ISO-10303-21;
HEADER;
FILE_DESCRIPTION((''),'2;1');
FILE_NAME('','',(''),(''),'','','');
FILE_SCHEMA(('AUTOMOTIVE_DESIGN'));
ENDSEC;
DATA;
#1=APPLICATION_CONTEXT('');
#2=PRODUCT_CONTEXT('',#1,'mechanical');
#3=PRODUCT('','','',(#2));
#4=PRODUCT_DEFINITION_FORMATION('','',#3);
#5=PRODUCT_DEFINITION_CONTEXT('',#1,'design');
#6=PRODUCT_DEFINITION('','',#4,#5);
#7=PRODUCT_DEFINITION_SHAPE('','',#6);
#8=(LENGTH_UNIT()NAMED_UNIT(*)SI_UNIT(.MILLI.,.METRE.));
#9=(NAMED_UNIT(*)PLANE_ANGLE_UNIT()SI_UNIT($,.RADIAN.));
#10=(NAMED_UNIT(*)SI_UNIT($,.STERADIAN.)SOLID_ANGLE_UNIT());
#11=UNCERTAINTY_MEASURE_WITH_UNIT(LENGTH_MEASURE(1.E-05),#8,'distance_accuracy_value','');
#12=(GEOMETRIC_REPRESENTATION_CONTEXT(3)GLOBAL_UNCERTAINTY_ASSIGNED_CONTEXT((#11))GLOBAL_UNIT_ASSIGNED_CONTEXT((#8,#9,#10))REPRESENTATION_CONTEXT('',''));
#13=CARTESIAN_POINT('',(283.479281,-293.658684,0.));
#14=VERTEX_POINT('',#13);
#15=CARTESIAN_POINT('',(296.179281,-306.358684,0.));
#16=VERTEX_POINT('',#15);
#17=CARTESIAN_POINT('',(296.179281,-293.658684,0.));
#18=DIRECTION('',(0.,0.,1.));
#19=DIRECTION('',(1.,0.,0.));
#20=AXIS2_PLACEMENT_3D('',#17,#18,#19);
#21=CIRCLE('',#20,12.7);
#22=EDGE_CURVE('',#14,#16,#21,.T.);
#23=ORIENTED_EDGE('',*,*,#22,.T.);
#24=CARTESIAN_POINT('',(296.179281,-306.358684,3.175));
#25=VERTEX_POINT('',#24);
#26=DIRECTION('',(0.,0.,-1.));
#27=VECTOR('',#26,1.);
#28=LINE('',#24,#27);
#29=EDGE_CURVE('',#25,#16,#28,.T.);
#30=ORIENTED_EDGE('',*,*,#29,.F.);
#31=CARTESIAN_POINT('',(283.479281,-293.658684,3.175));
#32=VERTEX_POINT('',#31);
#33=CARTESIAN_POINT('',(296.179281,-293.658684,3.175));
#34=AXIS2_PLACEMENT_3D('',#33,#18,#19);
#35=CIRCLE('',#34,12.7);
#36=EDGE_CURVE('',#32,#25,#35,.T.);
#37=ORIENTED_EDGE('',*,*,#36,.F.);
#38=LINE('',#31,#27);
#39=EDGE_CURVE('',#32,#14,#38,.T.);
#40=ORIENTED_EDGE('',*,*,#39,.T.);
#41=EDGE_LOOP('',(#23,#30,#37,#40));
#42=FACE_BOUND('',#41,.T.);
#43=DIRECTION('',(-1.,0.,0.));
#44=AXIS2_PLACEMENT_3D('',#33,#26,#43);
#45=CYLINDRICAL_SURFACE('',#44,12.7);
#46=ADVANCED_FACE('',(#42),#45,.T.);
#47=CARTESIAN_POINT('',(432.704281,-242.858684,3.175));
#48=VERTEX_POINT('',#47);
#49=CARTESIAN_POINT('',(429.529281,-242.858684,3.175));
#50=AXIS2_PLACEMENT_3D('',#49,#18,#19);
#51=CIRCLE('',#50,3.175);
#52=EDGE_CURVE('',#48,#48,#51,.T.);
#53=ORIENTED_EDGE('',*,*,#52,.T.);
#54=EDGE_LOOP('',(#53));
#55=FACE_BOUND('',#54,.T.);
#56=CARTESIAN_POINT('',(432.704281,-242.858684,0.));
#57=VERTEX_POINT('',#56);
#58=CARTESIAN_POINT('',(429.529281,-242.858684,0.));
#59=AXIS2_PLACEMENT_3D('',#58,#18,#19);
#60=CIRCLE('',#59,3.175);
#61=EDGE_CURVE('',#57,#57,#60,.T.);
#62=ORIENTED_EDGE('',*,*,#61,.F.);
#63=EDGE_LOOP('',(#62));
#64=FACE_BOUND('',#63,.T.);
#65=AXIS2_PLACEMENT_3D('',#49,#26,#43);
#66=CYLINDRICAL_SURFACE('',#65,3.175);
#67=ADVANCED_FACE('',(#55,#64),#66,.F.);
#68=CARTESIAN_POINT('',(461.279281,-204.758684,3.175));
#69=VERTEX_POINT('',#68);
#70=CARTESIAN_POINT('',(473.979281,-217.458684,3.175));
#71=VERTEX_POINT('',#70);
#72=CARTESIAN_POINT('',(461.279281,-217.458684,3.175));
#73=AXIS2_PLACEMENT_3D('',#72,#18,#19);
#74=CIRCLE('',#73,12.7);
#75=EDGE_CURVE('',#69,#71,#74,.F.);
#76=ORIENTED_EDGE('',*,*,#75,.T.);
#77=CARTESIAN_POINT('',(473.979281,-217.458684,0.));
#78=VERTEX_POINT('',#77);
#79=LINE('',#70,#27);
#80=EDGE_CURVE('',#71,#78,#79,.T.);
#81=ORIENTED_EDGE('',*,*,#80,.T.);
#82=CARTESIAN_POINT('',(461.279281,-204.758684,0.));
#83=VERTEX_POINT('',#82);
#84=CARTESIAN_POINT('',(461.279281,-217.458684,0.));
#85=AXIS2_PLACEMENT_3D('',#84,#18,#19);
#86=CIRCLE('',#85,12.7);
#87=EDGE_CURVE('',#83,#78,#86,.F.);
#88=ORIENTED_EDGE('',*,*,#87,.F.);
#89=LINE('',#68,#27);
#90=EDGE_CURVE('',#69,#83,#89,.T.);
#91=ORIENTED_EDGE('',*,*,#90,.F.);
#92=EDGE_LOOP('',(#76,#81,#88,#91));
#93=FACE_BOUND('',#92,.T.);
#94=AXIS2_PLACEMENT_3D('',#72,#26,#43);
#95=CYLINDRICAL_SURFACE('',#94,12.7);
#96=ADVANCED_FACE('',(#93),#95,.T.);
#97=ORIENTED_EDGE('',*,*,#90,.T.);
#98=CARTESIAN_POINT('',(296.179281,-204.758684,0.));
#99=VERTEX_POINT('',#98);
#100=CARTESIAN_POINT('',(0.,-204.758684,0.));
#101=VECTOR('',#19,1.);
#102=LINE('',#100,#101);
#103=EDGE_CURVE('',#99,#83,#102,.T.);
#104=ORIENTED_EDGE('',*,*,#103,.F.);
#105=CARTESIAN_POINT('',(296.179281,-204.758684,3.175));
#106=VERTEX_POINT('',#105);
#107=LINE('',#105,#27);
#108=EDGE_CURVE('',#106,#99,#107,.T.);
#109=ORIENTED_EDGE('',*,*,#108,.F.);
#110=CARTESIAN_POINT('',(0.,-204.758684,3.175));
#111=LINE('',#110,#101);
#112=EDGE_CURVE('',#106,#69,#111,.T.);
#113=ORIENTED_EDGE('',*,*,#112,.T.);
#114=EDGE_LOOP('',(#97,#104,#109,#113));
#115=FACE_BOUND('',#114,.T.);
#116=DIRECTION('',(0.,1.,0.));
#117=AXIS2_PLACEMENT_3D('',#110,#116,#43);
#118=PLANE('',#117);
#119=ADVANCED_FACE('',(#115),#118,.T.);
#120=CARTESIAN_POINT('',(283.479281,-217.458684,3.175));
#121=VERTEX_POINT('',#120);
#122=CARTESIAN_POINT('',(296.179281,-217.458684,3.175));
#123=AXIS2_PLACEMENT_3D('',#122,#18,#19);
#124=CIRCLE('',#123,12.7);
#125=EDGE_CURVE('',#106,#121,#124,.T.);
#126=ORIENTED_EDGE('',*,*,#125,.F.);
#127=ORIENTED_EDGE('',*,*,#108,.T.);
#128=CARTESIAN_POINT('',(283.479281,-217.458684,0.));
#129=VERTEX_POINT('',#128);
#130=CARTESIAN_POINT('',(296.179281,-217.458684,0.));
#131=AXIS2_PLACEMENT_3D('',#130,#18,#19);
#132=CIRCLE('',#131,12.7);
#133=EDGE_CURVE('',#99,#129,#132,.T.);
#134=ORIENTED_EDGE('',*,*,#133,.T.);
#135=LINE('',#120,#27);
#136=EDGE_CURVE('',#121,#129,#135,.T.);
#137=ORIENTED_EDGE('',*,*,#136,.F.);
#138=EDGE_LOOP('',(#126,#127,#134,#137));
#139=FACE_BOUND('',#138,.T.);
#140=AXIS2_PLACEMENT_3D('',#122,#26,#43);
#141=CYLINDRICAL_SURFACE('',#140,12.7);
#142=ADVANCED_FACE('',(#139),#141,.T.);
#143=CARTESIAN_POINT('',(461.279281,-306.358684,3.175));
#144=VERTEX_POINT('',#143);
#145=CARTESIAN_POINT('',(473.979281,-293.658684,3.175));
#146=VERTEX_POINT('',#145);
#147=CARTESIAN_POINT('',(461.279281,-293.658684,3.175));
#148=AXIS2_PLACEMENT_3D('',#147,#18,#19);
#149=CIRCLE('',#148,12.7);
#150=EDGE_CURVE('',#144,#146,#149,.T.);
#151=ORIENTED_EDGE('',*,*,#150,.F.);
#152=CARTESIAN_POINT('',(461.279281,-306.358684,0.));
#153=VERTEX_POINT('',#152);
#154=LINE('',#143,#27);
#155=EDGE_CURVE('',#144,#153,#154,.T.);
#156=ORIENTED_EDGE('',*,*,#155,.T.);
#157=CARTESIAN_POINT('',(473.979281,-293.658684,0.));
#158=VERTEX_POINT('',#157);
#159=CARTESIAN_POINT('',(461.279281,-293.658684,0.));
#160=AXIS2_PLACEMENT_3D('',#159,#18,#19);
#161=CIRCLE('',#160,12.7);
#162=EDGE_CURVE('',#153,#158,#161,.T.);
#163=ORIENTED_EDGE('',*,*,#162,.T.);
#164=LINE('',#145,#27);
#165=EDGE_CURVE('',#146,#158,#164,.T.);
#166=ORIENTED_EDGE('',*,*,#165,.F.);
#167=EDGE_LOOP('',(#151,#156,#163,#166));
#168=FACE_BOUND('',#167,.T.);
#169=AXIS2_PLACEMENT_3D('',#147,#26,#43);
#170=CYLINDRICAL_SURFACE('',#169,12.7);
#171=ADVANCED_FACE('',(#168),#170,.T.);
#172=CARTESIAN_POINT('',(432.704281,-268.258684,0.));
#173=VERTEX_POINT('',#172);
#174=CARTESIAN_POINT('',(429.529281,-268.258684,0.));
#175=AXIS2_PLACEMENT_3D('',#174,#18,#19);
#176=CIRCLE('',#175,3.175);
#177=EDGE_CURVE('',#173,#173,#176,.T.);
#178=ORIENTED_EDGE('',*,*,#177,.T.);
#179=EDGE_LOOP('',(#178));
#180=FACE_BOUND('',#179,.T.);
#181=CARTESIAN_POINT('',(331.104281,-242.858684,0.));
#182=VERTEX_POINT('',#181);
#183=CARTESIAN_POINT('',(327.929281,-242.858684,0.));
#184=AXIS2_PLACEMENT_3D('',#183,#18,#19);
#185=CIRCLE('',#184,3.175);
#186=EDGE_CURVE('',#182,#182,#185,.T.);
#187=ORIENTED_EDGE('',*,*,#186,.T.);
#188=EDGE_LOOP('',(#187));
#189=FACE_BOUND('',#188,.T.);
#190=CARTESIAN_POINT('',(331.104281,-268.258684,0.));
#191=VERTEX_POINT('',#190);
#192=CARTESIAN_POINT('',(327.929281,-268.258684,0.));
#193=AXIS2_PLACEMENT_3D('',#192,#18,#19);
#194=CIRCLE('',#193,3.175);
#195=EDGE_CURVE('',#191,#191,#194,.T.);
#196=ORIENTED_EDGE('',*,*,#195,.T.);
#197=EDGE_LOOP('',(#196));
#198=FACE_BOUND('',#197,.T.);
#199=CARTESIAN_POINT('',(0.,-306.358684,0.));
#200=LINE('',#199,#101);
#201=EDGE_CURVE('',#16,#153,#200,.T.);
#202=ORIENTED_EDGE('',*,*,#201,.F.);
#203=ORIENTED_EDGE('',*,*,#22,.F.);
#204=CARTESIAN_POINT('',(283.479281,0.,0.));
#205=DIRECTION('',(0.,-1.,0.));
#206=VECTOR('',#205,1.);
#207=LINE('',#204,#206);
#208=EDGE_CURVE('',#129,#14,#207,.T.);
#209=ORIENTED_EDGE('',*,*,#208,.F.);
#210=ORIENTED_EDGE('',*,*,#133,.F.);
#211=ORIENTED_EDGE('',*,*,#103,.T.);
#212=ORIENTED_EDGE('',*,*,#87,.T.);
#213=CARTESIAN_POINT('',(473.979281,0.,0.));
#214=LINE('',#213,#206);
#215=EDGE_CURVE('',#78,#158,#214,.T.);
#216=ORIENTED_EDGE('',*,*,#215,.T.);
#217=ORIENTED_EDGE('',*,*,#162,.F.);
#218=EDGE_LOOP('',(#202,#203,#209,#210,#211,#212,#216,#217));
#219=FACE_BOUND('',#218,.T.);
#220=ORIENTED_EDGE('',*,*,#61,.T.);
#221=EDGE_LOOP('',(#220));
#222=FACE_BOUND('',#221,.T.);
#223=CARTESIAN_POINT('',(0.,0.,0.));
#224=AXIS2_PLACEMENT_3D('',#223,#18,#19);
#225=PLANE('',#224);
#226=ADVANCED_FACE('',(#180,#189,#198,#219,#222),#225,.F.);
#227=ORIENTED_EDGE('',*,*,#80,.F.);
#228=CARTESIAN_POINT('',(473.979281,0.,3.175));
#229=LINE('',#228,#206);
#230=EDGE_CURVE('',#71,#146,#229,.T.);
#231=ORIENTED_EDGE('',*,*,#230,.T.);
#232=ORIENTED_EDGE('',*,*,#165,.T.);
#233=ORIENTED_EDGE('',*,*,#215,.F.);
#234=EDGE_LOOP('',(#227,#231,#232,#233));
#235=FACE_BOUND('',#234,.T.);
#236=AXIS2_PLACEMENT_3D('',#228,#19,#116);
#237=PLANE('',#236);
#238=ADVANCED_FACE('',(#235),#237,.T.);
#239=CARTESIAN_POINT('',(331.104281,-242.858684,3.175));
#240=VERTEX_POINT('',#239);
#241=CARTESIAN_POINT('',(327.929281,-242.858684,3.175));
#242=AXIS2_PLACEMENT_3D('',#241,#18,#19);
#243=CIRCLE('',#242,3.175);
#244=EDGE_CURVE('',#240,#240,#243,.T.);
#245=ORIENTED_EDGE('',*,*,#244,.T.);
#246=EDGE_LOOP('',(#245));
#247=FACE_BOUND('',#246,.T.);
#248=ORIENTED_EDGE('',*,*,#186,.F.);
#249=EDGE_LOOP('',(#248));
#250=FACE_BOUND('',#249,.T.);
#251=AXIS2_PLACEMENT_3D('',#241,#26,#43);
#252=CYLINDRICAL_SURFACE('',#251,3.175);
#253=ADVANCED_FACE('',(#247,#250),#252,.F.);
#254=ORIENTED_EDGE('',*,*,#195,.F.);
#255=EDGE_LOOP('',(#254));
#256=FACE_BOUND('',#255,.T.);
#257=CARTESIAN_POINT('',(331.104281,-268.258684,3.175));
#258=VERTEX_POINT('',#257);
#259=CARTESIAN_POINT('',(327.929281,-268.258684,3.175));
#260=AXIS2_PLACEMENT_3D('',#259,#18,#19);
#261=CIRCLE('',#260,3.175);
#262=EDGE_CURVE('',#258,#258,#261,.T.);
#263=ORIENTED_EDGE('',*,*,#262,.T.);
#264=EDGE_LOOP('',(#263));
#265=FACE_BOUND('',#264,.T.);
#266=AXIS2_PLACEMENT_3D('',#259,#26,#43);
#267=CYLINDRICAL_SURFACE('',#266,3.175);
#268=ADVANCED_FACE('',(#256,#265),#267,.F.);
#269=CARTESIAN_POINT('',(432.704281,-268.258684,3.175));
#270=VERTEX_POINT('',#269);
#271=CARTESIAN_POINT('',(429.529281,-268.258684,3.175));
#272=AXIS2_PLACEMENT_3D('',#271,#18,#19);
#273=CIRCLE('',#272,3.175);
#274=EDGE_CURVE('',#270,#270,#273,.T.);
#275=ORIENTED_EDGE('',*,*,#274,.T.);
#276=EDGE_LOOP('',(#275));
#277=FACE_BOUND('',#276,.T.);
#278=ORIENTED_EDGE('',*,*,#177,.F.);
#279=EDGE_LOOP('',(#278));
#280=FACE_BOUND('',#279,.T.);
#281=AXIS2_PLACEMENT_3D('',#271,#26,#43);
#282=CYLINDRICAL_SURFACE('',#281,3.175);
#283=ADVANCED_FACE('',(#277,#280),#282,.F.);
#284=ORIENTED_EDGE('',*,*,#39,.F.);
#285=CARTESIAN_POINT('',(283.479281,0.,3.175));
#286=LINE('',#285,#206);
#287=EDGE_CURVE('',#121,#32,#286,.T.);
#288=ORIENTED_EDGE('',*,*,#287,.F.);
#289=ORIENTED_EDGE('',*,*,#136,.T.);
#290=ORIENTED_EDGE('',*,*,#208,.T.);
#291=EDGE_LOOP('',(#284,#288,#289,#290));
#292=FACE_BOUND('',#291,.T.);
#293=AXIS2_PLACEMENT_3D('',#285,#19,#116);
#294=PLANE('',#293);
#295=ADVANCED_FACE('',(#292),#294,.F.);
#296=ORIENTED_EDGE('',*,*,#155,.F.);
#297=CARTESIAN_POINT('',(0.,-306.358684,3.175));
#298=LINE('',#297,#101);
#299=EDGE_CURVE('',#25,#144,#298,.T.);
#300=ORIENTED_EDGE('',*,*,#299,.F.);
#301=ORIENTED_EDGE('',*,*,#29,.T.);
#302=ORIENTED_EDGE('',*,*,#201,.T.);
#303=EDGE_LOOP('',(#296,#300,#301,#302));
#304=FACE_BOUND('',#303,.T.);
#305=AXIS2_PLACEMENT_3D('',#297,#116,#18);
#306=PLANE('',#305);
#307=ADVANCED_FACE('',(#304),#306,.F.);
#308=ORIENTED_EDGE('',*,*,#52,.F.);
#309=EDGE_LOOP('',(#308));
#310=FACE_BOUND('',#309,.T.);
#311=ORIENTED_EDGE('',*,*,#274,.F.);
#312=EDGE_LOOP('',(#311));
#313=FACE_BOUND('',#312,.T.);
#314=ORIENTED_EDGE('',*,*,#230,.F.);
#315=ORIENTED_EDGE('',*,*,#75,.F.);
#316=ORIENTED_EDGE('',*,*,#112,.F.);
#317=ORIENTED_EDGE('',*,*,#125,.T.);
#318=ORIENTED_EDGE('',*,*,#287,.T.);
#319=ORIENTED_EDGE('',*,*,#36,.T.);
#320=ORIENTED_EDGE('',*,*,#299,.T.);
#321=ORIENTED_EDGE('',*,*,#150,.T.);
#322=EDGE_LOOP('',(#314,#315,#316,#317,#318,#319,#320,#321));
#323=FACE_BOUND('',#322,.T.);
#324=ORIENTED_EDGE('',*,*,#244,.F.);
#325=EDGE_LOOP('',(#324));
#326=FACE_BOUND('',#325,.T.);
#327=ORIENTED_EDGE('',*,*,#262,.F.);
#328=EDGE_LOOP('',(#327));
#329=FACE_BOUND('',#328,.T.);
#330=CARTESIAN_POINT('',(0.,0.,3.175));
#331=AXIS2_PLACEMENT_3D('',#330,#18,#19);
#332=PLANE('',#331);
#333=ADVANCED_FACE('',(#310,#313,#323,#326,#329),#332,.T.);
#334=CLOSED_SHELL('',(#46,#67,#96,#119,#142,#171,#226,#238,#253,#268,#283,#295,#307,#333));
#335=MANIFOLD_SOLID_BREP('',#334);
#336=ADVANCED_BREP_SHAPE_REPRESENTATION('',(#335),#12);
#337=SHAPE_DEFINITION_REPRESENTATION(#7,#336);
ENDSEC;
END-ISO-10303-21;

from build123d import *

# Parameters (mm, degrees)
SKETCH1_R           = 3.175
BOSS_EXTRUDE1_DEPTH = 3.175


with BuildPart() as part:
    # Sketch1 → Boss-Extrude1 (new body)
    with BuildSketch(Plane.XY):
        with BuildLine():
            Line((296.179280684, -204.758683659), (461.279280684, -204.758683659))
            ThreePointArc((461.279280684, -204.758683659), (470.259536805, -208.478427538), (473.979280684, -217.458683659))
            Line((473.979280684, -217.458683659), (473.979280684, -293.658683659))
            ThreePointArc((473.979280684, -293.658683659), (470.259536805, -302.63893978), (461.279280684, -306.358683659))
            Line((461.279280684, -306.358683659), (296.179280684, -306.358683659))
            ThreePointArc((296.179280684, -306.358683659), (287.199024563, -302.63893978), (283.479280684, -293.658683659))
            Line((283.479280684, -293.658683659), (283.479280684, -217.458683659))
            ThreePointArc((283.479280684, -217.458683659), (287.199024563, -208.478427538), (296.179280684, -204.758683659))
        make_face()
        with Locations((429.529280684, -268.258683659)):
            Circle(SKETCH1_R, mode=Mode.SUBTRACT)
        with Locations((429.529280684, -242.858683659)):
            Circle(SKETCH1_R, mode=Mode.SUBTRACT)
        with Locations((327.929280684, -242.858683659)):
            Circle(SKETCH1_R, mode=Mode.SUBTRACT)
        with Locations((327.929280684, -268.258683659)):
            Circle(SKETCH1_R, mode=Mode.SUBTRACT)
    extrude(amount=BOSS_EXTRUDE1_DEPTH)


solid = part.part
